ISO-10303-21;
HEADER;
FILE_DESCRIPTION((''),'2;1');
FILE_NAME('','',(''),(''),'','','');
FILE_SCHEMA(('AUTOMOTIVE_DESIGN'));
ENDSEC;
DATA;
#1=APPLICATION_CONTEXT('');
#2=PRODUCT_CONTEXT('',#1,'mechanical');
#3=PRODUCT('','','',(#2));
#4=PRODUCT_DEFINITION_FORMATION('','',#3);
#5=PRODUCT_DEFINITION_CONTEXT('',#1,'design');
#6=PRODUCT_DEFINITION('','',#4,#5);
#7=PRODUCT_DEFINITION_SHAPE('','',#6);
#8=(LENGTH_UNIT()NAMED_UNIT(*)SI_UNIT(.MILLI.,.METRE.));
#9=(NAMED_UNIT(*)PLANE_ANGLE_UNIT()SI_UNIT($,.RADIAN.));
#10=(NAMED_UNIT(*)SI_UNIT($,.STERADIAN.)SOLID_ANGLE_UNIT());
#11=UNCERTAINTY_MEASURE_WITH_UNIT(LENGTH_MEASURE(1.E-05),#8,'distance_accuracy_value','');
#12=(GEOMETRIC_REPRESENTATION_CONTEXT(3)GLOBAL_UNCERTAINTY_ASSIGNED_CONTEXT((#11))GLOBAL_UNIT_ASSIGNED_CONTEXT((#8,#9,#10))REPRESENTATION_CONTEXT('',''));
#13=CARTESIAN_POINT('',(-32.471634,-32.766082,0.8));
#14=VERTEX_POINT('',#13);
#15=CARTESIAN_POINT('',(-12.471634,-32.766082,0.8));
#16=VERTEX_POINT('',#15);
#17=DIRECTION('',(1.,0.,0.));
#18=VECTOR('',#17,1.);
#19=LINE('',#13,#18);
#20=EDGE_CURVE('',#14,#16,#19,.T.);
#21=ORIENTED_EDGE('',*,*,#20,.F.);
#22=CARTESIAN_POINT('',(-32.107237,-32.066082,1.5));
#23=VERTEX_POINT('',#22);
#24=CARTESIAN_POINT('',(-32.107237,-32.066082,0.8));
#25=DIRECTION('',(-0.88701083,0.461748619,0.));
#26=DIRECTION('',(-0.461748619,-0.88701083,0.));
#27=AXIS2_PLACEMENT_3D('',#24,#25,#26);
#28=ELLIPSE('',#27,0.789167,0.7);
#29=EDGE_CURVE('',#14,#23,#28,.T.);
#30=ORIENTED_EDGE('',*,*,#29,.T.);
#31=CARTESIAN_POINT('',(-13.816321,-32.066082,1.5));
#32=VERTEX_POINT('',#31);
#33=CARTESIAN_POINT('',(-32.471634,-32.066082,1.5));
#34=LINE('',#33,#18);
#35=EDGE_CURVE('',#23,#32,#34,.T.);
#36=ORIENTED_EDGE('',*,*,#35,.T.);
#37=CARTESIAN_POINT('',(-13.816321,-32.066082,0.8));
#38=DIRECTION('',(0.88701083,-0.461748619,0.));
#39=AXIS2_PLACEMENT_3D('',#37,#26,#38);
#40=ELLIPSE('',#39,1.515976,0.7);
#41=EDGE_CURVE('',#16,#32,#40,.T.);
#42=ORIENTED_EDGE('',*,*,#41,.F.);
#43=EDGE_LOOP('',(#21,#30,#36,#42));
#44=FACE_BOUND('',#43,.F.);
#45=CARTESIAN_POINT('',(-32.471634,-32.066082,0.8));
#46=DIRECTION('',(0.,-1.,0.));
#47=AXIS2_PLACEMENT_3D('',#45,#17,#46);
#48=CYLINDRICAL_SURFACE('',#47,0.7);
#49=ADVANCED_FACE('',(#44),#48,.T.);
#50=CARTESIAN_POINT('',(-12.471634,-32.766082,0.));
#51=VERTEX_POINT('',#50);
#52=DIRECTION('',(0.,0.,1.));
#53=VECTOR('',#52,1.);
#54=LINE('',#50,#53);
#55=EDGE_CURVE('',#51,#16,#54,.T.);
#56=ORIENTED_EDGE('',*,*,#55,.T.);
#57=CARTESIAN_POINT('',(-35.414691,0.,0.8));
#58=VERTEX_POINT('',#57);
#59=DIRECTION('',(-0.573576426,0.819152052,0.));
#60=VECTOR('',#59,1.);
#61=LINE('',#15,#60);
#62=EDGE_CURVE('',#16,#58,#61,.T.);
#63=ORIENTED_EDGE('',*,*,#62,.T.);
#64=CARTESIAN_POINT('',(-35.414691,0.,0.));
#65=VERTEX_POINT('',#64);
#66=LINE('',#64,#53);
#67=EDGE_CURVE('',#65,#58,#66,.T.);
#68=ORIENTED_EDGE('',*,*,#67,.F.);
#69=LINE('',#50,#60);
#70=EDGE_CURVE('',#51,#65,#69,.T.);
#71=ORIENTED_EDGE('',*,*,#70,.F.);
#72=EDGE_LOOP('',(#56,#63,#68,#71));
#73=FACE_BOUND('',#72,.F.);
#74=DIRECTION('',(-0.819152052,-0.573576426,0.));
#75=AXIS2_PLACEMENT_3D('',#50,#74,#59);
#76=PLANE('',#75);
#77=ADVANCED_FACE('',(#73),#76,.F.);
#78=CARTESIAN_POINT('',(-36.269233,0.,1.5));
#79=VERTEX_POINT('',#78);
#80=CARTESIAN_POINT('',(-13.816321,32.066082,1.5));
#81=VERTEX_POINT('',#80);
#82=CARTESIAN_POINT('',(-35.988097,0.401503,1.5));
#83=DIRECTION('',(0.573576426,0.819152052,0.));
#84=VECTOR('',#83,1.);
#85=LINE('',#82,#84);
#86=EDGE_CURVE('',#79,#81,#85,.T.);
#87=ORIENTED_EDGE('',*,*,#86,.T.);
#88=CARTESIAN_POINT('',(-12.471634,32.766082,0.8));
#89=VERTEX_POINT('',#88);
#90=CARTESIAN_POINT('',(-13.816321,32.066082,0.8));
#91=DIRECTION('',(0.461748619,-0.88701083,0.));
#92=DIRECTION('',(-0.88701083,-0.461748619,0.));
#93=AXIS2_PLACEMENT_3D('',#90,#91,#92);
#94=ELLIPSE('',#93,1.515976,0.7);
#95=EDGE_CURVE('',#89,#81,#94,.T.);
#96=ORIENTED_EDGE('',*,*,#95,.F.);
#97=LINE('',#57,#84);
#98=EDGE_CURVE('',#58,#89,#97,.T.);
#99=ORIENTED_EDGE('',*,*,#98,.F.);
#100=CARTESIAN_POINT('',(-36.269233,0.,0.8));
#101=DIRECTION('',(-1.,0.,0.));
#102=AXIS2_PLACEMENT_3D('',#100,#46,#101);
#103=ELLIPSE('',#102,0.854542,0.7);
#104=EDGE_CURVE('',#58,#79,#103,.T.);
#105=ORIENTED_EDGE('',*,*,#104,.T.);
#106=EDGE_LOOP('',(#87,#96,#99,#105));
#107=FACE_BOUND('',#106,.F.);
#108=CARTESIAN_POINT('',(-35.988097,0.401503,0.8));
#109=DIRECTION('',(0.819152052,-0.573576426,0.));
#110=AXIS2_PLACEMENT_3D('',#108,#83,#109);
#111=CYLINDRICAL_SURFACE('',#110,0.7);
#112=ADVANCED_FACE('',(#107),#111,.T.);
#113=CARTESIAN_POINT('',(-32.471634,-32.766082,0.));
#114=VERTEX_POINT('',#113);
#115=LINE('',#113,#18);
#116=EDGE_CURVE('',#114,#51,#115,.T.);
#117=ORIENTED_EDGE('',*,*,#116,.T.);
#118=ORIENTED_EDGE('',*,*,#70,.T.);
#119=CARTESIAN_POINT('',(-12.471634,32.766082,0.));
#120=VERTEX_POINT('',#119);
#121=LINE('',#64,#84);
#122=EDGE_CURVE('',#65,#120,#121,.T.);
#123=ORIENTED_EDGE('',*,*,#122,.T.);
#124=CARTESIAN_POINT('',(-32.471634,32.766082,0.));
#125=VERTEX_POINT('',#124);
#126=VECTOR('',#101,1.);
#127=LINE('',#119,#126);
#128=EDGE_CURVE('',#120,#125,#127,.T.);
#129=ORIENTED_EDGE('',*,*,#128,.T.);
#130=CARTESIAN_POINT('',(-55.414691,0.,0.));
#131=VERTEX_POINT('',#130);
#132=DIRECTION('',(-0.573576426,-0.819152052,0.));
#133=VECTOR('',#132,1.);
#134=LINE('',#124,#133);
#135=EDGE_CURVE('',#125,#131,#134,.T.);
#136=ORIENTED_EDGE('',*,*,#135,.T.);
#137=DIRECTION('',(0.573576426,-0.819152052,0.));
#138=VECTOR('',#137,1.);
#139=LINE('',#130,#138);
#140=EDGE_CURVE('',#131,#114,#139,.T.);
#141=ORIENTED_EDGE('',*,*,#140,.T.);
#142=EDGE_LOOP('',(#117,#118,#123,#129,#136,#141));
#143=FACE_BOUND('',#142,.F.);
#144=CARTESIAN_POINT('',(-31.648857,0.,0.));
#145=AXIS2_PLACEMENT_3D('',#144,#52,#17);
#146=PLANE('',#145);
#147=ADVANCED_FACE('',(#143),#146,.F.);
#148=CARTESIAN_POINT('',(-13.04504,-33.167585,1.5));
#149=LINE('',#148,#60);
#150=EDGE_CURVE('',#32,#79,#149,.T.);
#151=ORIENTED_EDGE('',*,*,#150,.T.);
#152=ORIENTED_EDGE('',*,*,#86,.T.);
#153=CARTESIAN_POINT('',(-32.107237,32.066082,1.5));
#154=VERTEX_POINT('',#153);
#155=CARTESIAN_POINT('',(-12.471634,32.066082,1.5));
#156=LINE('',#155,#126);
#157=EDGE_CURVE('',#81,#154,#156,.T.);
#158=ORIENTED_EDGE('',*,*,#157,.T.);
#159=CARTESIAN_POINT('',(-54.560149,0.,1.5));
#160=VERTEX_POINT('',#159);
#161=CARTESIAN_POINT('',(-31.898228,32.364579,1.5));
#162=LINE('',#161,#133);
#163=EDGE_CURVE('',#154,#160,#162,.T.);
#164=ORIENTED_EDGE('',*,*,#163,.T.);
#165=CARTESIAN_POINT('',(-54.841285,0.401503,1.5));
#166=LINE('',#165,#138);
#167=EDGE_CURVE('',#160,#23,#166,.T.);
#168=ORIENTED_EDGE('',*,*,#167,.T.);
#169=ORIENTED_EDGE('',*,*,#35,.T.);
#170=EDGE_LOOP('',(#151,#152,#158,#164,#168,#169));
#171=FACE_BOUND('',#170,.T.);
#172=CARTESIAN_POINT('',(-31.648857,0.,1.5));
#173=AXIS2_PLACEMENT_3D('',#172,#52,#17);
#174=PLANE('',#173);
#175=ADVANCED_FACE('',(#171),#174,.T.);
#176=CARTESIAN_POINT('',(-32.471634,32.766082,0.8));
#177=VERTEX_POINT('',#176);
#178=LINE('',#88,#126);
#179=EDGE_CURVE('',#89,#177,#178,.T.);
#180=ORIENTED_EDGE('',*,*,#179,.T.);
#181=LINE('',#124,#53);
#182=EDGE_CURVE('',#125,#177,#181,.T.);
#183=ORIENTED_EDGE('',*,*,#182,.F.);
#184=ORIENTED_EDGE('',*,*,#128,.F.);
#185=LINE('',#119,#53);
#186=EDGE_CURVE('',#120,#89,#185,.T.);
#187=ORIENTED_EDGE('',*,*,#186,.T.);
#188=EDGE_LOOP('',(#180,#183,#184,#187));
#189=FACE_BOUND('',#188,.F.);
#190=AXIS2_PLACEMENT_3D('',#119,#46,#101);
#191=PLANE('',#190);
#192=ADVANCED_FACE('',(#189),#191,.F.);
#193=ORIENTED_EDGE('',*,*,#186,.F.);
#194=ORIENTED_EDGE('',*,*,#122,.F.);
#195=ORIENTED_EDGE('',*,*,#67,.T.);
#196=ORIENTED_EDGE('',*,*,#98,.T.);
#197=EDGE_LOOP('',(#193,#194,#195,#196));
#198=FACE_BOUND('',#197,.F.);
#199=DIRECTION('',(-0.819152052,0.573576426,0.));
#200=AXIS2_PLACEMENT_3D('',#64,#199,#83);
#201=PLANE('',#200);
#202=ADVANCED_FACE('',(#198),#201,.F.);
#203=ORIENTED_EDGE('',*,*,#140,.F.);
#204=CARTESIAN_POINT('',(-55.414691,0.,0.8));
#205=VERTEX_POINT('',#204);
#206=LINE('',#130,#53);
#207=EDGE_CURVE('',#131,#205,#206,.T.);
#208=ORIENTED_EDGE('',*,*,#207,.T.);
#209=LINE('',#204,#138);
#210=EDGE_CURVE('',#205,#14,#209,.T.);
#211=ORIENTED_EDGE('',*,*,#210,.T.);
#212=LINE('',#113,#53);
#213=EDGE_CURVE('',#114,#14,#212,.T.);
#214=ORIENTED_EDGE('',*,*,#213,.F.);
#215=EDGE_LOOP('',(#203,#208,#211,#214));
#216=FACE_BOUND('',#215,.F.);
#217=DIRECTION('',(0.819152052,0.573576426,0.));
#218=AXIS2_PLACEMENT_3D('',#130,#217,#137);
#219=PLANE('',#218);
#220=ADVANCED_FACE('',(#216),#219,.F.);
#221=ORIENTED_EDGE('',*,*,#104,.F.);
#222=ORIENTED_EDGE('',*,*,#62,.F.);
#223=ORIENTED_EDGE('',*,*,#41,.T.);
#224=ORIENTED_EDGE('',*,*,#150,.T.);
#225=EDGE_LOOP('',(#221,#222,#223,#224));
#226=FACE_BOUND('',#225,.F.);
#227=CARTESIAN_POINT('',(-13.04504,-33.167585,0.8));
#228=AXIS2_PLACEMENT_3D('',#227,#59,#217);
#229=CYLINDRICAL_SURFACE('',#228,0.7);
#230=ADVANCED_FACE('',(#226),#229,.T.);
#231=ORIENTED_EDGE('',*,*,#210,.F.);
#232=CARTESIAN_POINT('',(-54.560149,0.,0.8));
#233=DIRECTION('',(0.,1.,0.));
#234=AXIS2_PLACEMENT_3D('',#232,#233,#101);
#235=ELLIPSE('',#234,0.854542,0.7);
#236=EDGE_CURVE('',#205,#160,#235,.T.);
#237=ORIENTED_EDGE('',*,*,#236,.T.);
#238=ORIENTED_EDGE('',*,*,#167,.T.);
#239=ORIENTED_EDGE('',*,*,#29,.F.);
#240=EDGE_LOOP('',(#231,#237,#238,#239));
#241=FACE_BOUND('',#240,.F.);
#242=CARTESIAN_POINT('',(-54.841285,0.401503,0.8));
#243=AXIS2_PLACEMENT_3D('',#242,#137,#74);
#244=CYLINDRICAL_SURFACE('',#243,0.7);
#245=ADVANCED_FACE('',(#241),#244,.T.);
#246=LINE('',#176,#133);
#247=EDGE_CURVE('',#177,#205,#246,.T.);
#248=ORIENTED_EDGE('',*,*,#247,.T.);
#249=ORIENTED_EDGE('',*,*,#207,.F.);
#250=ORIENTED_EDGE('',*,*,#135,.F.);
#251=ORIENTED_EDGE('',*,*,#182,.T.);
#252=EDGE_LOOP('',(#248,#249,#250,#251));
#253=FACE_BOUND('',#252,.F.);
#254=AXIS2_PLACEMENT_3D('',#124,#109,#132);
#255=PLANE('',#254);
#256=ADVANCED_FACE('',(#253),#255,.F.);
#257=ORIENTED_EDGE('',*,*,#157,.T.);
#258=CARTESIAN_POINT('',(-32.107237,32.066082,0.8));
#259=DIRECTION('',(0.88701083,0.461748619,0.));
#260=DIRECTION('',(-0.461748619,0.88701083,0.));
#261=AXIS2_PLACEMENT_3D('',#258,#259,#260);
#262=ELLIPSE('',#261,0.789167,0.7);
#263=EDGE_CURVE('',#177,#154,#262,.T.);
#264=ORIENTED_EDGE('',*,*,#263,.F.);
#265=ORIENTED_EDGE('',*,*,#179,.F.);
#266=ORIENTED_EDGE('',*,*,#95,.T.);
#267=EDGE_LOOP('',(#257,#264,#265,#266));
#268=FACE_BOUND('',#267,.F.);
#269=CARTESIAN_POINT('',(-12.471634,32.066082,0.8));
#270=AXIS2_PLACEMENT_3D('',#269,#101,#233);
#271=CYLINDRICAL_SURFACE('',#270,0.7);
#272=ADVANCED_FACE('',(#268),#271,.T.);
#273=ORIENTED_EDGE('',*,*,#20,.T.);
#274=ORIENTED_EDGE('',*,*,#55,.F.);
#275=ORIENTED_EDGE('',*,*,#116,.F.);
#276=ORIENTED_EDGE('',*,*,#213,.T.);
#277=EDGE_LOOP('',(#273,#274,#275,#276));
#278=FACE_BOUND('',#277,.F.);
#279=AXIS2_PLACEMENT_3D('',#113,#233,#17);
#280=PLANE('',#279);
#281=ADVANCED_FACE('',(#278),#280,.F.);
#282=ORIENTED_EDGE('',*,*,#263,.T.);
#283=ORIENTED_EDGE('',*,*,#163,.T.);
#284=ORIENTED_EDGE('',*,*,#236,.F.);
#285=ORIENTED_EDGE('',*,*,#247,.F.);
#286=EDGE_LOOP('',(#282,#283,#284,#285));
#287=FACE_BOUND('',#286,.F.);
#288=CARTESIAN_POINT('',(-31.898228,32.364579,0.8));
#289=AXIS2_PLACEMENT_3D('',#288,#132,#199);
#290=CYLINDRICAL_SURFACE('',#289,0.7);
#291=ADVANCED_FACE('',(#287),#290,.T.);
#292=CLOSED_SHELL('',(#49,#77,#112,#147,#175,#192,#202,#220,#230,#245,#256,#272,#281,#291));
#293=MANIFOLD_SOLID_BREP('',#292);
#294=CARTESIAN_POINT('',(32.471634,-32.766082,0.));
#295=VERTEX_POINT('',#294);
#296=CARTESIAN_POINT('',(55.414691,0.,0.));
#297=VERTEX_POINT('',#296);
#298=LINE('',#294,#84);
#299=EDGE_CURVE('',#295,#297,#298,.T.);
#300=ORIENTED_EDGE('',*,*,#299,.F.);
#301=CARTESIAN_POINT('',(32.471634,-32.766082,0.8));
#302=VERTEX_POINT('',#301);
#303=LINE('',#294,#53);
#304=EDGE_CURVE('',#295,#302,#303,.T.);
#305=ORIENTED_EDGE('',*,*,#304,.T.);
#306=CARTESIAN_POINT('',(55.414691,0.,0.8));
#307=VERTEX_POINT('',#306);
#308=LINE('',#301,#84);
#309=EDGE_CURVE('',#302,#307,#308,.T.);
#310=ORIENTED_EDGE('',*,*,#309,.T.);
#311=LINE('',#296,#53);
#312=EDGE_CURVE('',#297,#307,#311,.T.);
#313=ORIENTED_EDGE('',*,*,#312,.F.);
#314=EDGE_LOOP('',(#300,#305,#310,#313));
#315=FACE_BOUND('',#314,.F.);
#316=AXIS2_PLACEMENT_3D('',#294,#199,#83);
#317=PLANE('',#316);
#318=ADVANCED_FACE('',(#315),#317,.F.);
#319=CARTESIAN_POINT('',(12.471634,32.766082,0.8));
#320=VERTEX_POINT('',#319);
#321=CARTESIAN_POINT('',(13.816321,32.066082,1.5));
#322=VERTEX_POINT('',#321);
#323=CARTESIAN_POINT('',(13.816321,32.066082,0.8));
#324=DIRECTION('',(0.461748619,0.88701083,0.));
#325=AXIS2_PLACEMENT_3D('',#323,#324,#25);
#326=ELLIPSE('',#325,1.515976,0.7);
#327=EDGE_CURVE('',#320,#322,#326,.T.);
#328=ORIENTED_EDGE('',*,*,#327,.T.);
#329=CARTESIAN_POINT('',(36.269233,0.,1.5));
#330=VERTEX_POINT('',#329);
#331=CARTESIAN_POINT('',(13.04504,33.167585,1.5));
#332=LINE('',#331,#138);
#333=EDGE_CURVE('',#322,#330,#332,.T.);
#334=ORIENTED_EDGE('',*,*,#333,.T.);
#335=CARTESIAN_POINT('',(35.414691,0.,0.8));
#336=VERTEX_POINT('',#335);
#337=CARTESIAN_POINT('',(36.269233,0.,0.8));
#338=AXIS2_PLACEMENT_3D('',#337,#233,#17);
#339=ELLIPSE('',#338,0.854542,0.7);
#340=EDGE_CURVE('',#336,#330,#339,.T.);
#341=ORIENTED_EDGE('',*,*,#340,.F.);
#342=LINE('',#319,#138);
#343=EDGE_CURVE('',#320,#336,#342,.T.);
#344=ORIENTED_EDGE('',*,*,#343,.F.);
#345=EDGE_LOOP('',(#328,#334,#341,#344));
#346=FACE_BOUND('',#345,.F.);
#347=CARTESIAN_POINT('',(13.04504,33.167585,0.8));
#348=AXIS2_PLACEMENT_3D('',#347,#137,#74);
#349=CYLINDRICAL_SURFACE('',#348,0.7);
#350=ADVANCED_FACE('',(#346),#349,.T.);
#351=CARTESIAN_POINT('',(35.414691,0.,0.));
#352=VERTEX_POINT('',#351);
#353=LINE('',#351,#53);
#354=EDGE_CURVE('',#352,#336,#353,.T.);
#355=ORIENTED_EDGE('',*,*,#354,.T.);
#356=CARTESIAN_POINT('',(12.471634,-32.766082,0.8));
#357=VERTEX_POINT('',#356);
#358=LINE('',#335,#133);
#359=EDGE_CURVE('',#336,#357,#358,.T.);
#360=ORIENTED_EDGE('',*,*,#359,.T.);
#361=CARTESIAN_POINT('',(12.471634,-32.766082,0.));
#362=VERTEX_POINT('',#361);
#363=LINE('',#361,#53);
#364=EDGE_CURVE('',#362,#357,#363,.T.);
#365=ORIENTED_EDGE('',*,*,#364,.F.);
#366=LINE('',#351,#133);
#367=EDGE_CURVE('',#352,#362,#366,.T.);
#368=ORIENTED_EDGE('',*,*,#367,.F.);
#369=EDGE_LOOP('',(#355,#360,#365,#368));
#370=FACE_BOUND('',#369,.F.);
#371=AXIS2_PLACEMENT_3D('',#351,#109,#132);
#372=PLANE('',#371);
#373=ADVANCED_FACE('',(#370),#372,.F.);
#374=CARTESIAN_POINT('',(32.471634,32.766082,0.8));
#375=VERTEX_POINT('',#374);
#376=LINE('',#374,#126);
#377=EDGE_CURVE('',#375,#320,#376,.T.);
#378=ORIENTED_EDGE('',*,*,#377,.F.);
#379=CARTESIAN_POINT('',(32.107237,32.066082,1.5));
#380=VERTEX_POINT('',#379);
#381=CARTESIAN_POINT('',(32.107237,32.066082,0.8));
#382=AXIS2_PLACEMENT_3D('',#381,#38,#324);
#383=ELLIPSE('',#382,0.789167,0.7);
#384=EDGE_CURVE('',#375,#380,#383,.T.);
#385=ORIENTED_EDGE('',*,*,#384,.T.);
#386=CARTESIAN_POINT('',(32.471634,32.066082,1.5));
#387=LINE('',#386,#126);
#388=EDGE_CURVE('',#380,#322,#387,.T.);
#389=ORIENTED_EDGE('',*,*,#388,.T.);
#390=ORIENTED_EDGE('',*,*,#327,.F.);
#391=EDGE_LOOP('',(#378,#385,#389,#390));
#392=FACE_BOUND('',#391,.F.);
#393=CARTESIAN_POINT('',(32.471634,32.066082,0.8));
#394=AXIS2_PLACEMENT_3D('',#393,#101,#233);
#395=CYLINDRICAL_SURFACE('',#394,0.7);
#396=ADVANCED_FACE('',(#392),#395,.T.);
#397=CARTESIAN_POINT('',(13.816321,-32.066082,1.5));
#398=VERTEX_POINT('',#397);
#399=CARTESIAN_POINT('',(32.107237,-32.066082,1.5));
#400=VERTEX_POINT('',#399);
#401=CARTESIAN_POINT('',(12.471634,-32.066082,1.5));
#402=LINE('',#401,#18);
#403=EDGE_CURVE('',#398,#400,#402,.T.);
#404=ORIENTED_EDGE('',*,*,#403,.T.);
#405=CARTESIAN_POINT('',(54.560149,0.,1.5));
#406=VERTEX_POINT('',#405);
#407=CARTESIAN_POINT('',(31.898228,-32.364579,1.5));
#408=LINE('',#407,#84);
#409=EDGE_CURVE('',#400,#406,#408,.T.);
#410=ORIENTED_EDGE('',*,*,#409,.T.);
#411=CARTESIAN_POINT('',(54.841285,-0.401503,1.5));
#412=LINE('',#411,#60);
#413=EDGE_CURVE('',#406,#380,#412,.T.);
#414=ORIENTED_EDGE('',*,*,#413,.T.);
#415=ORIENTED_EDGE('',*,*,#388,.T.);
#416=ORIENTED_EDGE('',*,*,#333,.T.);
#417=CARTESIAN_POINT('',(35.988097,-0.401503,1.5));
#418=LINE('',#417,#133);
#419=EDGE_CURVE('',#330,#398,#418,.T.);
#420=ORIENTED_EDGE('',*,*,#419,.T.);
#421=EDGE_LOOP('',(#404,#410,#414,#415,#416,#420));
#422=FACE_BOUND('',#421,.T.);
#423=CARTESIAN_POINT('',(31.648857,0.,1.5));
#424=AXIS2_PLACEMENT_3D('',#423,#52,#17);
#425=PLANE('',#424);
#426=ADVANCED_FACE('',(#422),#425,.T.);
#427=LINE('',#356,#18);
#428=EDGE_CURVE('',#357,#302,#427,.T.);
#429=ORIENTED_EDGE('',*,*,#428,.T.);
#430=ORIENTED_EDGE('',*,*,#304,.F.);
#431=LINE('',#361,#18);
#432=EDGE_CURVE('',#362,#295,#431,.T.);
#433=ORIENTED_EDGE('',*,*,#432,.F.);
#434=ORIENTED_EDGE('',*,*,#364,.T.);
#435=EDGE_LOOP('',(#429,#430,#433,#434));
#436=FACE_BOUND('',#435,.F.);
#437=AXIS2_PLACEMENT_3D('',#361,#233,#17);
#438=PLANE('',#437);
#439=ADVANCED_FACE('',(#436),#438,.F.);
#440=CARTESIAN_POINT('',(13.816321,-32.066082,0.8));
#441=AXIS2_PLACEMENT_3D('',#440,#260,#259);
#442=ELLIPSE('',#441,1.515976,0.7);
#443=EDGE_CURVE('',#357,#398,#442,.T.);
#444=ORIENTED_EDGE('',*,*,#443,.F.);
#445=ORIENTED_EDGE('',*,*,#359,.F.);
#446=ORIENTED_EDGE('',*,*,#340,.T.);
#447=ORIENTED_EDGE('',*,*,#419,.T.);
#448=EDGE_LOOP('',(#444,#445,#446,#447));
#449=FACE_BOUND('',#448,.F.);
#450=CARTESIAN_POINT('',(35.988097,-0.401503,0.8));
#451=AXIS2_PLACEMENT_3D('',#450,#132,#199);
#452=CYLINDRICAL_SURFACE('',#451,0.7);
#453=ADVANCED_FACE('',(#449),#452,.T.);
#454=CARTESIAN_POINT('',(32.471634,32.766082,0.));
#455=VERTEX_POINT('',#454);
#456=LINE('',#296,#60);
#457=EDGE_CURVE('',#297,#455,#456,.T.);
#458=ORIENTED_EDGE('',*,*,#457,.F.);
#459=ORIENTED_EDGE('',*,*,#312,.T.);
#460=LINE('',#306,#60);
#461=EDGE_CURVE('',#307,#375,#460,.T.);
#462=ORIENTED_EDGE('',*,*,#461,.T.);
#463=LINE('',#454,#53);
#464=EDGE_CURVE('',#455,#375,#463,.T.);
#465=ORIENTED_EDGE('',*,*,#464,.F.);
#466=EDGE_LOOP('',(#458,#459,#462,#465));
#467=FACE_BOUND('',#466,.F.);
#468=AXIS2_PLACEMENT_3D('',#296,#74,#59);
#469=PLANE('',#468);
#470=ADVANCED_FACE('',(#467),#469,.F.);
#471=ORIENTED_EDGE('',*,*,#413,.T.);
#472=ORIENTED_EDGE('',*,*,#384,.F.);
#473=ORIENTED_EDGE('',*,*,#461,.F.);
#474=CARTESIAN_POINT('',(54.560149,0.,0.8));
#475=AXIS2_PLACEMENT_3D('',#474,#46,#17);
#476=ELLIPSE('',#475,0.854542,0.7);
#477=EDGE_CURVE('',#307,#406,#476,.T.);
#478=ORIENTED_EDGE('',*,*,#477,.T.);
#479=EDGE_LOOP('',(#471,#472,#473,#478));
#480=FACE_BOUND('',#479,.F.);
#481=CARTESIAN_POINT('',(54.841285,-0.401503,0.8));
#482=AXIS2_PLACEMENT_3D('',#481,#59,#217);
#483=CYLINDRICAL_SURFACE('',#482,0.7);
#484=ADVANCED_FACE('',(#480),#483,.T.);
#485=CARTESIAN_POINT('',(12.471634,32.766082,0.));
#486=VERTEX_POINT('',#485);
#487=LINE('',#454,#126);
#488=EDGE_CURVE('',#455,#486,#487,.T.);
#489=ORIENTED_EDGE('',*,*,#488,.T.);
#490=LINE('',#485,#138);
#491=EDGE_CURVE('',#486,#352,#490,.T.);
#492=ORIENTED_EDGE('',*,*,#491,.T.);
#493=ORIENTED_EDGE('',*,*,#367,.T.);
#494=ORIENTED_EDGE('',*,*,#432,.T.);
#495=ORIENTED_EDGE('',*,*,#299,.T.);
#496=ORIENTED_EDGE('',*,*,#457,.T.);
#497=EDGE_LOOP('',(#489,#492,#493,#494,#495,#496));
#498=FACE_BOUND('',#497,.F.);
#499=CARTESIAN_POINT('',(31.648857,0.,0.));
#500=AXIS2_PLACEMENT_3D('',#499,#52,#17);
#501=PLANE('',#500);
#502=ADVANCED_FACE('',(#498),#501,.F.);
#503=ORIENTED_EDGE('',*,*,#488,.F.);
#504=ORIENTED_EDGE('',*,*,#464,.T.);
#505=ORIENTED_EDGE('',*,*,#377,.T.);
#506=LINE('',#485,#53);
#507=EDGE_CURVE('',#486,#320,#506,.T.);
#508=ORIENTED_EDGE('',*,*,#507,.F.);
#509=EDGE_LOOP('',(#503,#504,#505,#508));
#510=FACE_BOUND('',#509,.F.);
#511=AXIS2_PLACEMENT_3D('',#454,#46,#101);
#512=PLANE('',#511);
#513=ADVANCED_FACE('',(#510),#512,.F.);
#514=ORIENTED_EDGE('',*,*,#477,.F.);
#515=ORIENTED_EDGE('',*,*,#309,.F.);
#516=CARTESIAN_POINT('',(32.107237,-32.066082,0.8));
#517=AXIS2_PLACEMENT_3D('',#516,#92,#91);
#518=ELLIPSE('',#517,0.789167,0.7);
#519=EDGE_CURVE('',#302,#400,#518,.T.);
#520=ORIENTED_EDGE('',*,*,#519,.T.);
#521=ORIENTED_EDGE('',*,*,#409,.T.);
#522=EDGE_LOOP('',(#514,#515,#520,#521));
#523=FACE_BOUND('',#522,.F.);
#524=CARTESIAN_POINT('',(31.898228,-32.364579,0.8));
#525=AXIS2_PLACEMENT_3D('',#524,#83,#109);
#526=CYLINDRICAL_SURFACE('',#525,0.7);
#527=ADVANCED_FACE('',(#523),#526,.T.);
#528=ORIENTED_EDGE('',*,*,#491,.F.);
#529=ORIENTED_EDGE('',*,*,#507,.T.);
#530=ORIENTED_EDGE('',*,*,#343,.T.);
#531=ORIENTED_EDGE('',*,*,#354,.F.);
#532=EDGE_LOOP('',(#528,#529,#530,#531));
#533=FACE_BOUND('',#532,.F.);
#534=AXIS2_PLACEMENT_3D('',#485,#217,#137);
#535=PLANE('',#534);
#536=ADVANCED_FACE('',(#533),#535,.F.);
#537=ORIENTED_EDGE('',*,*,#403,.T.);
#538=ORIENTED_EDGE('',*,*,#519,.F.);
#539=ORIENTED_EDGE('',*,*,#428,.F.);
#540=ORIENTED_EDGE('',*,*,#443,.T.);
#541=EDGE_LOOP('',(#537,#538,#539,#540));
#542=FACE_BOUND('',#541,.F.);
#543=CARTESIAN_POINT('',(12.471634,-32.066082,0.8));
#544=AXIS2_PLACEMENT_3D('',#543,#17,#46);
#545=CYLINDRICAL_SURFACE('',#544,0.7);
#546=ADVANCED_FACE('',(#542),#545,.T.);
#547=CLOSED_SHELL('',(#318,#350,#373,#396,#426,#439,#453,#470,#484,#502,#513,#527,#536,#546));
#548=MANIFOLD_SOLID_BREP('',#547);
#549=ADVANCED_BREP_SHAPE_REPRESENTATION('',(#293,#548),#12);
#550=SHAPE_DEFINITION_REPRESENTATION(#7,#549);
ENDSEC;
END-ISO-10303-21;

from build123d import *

# Parameters (mm, degrees)
F1_DEPTH = 1.5
F2_R     = 0.7


with BuildPart() as f1:
    # F0 (on Top) → F1 (new body)
    with BuildSketch(Plane.XY):
        Polygon((-32.471634, 32.766082), (-55.414691, 0), (-32.471634, -32.766082), (-12.471634, -32.766082), (-35.414691, 0), (-12.471634, 32.766082), align=None)
        Polygon((32.471634, 32.766082), (12.471634, 32.766082), (35.414691, 0), (12.471634, -32.766082), (32.471634, -32.766082), (55.414691, 0), align=None)
    extrude(amount=F1_DEPTH)

    # F2
    f2_edges = [f1.edges().sort_by_distance(p)[0] for p in [
        (-22.471634, 32.766082, 1.5),
        (-43.943162, 16.383041, 1.5),
        (-43.943162, -16.383041, 1.5),
        (-22.471634, -32.766082, 1.5),
        (-23.943162, -16.383041, 1.5),
        (-23.943162, 16.383041, 1.5),
        (22.471634, -32.766082, 1.5),
        (43.943162, -16.383041, 1.5),
        (43.943162, 16.383041, 1.5),
        (22.471634, 32.766082, 1.5),
        (23.943162, 16.383041, 1.5),
        (23.943162, -16.383041, 1.5),
    ]]
    fillet(f2_edges, radius=F2_R)


solid = f1.part
